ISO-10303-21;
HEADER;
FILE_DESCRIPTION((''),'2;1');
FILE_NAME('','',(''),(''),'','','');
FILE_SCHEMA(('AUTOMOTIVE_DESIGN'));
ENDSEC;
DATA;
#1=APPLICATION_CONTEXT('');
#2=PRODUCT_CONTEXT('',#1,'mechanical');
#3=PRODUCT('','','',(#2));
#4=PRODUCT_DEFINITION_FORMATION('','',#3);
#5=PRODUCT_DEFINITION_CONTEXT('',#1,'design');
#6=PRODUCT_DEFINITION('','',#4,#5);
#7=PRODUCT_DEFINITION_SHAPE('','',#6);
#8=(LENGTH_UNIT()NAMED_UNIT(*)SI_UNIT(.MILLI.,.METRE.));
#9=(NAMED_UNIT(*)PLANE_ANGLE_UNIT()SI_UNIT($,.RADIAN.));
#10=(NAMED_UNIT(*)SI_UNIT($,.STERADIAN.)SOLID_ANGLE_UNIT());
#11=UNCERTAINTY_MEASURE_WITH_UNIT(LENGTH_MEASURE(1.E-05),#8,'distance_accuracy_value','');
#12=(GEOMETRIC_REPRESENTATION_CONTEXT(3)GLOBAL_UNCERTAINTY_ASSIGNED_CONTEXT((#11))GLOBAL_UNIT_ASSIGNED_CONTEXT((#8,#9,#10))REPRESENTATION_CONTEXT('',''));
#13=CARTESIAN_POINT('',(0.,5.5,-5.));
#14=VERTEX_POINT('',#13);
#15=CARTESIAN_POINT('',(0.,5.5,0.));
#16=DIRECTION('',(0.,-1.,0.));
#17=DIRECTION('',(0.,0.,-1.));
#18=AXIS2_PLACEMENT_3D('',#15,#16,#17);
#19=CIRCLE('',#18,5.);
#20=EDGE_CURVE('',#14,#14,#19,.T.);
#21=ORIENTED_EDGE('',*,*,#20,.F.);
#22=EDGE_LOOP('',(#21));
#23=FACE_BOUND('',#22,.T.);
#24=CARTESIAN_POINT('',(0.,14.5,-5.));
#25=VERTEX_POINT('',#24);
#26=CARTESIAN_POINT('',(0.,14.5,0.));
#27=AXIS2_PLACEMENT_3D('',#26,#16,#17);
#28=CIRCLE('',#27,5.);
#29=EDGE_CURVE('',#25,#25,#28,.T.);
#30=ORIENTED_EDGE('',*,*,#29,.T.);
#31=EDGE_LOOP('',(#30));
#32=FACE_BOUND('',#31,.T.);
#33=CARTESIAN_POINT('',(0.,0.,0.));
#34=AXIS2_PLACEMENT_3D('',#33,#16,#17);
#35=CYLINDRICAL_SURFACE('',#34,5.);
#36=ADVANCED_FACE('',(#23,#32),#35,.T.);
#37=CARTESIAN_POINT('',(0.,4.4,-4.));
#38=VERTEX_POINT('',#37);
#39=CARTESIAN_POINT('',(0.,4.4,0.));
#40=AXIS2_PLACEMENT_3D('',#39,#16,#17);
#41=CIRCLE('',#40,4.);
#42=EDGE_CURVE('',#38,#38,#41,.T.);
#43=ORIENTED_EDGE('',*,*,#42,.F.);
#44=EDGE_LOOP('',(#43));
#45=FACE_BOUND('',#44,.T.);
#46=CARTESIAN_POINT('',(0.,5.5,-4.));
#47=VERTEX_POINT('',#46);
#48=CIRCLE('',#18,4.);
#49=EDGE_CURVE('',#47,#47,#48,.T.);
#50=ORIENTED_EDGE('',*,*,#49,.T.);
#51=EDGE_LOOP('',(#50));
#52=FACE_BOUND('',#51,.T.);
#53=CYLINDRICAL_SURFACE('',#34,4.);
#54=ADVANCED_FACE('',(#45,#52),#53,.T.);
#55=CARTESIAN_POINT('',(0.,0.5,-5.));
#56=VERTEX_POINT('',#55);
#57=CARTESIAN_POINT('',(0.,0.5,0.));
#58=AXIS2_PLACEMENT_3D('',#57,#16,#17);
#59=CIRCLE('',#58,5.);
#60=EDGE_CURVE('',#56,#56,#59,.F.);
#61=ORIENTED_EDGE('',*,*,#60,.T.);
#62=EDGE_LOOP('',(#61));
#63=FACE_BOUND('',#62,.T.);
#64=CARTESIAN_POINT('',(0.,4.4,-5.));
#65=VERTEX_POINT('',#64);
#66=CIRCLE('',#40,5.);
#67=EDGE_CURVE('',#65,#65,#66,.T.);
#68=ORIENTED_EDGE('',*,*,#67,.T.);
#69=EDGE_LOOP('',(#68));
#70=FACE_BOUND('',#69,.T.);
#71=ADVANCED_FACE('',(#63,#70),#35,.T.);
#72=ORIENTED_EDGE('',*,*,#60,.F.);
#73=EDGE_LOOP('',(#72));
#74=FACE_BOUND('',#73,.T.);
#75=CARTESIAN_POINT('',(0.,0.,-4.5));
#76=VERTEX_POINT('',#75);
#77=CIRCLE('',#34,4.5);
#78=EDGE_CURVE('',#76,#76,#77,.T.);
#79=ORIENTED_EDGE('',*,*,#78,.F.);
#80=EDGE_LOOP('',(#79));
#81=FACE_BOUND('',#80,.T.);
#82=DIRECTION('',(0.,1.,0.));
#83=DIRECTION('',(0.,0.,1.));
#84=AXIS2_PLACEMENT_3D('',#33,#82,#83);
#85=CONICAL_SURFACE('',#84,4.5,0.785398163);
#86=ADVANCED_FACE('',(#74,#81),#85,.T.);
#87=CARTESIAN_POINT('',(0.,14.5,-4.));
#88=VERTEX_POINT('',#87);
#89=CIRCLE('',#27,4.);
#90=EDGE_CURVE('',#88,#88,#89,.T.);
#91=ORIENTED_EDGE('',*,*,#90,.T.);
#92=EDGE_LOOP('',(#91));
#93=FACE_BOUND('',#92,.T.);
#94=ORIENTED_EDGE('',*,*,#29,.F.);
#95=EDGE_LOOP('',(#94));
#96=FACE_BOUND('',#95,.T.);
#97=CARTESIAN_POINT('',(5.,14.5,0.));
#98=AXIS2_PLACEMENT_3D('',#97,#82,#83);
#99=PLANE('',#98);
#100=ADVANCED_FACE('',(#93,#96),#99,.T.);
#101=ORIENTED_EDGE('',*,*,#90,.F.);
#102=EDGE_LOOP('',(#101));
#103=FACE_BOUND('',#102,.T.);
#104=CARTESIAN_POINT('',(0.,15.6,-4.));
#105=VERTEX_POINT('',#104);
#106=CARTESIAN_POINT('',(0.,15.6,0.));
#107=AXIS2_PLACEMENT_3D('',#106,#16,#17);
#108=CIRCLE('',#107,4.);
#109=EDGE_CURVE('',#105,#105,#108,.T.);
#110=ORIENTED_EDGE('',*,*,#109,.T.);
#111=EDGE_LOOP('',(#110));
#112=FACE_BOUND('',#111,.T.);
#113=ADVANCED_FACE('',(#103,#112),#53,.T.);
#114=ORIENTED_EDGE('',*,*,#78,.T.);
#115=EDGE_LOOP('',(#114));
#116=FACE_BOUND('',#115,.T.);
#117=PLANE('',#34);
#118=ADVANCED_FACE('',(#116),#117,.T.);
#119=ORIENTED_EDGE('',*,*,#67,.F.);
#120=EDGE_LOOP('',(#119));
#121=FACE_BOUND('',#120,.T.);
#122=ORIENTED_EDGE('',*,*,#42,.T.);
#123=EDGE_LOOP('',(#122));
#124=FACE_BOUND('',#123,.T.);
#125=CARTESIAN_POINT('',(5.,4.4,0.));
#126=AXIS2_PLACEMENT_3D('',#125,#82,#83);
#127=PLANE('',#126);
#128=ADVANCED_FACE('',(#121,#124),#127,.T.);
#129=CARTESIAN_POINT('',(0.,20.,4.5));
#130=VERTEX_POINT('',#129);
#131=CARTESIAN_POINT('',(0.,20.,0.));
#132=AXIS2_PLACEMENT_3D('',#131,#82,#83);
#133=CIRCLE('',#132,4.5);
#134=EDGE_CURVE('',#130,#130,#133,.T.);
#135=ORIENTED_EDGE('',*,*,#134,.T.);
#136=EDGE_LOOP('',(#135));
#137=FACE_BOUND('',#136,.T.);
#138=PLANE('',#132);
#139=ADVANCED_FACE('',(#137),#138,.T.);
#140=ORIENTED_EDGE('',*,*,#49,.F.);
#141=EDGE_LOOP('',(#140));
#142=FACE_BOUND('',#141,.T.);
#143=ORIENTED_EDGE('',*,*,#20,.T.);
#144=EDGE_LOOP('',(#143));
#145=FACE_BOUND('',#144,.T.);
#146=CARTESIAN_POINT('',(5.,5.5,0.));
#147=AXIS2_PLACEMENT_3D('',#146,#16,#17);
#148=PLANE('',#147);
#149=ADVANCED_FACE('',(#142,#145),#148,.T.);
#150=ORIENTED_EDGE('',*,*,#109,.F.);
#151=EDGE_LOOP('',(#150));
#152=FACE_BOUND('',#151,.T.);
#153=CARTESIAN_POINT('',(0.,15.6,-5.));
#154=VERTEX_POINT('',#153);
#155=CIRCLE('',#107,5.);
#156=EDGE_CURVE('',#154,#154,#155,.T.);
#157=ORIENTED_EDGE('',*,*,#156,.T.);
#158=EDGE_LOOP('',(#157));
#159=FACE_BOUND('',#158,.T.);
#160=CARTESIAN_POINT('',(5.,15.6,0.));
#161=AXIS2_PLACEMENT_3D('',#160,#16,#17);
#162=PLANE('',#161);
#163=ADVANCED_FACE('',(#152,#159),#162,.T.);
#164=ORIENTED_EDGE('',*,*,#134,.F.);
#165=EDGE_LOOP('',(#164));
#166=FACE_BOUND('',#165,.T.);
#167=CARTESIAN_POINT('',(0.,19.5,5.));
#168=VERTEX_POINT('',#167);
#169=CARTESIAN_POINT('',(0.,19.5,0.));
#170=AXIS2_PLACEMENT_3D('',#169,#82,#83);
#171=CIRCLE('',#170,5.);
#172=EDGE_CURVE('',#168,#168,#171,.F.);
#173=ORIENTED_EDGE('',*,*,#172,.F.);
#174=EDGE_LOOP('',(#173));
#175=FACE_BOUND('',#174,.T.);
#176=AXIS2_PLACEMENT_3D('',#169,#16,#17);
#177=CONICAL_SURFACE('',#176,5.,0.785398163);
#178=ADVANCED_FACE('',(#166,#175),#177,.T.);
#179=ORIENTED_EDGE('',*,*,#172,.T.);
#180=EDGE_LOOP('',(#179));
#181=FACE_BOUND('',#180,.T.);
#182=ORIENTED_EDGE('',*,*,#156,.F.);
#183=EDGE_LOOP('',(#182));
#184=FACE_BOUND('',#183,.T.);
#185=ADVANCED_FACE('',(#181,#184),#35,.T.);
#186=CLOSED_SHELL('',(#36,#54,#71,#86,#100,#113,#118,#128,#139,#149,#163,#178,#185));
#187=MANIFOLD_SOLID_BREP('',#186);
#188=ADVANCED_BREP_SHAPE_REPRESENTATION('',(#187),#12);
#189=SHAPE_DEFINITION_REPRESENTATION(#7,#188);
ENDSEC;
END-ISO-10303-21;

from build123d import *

# Parameters (mm, degrees)
FASE1_SIZE = 0.5


with BuildPart() as part:
    # Skizze1 → Rotation1 (revolve)
    with BuildSketch(Plane.XY, mode=Mode.PRIVATE) as rotation1_sk:
        Polygon((5, 5.5), (5, 14.5), (4, 14.5), (4, 15.6), (5, 15.6), (5, 20), (0, 20), (0, 0), (5, 0), (5, 4.4), (4, 4.4), (4, 5.5), align=None)
    revolve(rotation1_sk.sketch.rotate(Axis((0, 0, 0), (0, 1, 0)), 90), axis=Axis((0, 0, 0), (0, 1, 0)))

    # Fase1
    fase1_edges = [part.edges().sort_by_distance(p)[0] for p in [
        (0, 20, 5),
        (0, 0, 5),
    ]]
    chamfer(fase1_edges, length=FASE1_SIZE)


solid = part.part
